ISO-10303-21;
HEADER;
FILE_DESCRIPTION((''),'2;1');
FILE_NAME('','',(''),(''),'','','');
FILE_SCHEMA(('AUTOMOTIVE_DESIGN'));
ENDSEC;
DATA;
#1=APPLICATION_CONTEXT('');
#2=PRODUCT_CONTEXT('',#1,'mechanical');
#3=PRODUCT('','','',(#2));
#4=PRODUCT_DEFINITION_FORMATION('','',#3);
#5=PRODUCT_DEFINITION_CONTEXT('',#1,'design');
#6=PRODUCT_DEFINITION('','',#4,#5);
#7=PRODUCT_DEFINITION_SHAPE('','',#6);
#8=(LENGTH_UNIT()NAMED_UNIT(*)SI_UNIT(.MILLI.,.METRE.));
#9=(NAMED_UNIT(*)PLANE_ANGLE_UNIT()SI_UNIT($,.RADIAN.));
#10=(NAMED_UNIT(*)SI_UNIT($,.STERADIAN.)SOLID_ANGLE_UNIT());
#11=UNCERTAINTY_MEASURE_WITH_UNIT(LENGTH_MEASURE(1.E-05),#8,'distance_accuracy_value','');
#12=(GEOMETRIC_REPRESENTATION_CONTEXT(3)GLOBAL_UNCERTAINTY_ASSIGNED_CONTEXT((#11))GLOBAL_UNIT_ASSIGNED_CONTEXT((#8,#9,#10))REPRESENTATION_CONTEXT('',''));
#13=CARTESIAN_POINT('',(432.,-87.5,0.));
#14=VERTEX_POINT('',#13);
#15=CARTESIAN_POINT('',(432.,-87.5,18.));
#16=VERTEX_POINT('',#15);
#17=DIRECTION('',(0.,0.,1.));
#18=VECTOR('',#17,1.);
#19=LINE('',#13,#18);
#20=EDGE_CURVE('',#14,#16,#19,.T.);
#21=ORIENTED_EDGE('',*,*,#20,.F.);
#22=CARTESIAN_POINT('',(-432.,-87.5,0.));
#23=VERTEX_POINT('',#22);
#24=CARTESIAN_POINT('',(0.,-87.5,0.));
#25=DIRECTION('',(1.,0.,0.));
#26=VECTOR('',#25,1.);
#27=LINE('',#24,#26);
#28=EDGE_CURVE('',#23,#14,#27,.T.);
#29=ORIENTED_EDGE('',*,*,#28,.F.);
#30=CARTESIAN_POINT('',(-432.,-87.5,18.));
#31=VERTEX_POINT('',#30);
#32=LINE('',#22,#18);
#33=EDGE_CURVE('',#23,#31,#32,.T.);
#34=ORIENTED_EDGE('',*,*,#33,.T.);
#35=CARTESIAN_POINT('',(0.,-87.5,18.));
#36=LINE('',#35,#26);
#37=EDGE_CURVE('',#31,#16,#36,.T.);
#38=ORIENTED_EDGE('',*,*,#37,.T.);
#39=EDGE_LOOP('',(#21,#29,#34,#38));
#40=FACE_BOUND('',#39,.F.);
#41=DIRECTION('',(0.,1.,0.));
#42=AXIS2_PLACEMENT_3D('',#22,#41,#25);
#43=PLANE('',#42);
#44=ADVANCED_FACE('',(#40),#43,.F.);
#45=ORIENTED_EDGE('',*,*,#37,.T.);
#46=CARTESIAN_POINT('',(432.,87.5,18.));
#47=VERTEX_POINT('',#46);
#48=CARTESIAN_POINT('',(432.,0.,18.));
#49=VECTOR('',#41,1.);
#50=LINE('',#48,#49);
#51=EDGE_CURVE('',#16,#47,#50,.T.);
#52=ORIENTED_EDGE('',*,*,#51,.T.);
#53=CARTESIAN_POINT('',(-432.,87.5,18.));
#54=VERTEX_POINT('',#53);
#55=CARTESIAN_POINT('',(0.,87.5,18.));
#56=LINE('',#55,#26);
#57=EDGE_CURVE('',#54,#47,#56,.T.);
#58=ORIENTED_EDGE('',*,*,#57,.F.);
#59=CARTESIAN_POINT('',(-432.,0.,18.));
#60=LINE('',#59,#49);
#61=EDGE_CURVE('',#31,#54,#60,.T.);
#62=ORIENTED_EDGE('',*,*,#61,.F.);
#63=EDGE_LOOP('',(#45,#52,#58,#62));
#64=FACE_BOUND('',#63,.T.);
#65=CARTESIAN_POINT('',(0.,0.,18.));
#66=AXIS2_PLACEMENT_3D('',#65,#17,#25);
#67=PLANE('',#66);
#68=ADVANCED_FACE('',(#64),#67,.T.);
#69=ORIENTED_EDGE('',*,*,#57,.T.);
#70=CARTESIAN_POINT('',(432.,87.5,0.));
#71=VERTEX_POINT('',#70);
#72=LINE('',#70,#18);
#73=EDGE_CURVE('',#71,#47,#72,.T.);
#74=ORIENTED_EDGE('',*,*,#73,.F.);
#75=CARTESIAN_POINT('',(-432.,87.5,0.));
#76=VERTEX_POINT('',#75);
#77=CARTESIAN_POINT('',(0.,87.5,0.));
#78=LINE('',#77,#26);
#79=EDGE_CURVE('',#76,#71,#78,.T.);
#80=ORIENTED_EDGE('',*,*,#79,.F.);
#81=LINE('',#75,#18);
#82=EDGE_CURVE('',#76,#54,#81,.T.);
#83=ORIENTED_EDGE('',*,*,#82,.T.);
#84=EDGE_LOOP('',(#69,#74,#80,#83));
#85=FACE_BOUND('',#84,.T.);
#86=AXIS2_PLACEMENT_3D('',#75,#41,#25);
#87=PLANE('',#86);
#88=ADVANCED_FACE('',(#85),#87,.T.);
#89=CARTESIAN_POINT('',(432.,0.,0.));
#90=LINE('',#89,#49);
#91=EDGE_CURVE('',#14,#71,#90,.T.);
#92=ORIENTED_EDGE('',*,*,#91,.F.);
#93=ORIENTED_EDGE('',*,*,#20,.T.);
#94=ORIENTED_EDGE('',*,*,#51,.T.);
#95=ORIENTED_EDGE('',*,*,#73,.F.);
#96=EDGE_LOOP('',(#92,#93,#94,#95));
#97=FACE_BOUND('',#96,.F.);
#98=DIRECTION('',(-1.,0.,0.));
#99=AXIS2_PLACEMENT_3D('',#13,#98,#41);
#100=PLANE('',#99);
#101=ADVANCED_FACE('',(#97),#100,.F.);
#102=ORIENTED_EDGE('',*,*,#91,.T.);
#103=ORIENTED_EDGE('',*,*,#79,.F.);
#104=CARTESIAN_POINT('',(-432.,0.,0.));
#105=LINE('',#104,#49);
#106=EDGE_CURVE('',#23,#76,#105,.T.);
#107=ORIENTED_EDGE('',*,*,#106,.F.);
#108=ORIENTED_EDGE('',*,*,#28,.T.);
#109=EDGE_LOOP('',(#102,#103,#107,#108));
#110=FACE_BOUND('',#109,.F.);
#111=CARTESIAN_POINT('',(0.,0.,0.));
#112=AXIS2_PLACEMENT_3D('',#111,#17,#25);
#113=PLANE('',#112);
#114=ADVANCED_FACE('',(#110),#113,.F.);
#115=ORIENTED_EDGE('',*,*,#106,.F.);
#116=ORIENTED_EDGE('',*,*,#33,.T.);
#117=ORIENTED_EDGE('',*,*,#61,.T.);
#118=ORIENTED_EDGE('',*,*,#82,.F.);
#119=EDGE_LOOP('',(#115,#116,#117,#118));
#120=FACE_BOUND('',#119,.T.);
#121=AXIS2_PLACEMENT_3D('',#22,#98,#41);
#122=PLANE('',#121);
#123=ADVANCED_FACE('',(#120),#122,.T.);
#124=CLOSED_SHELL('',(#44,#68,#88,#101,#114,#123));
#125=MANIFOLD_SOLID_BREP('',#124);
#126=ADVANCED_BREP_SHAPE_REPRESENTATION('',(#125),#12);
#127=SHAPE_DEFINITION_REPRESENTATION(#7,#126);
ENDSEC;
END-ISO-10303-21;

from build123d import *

# Parameters (mm, degrees)
SKETCH_W  = 864
SKETCH_H  = 175
PAD_DEPTH = 18


with BuildPart() as part:
    # Sketch → Pad (new body)
    with BuildSketch(Plane.XY):
        Rectangle(SKETCH_W, SKETCH_H)
    extrude(amount=PAD_DEPTH)


solid = part.part
